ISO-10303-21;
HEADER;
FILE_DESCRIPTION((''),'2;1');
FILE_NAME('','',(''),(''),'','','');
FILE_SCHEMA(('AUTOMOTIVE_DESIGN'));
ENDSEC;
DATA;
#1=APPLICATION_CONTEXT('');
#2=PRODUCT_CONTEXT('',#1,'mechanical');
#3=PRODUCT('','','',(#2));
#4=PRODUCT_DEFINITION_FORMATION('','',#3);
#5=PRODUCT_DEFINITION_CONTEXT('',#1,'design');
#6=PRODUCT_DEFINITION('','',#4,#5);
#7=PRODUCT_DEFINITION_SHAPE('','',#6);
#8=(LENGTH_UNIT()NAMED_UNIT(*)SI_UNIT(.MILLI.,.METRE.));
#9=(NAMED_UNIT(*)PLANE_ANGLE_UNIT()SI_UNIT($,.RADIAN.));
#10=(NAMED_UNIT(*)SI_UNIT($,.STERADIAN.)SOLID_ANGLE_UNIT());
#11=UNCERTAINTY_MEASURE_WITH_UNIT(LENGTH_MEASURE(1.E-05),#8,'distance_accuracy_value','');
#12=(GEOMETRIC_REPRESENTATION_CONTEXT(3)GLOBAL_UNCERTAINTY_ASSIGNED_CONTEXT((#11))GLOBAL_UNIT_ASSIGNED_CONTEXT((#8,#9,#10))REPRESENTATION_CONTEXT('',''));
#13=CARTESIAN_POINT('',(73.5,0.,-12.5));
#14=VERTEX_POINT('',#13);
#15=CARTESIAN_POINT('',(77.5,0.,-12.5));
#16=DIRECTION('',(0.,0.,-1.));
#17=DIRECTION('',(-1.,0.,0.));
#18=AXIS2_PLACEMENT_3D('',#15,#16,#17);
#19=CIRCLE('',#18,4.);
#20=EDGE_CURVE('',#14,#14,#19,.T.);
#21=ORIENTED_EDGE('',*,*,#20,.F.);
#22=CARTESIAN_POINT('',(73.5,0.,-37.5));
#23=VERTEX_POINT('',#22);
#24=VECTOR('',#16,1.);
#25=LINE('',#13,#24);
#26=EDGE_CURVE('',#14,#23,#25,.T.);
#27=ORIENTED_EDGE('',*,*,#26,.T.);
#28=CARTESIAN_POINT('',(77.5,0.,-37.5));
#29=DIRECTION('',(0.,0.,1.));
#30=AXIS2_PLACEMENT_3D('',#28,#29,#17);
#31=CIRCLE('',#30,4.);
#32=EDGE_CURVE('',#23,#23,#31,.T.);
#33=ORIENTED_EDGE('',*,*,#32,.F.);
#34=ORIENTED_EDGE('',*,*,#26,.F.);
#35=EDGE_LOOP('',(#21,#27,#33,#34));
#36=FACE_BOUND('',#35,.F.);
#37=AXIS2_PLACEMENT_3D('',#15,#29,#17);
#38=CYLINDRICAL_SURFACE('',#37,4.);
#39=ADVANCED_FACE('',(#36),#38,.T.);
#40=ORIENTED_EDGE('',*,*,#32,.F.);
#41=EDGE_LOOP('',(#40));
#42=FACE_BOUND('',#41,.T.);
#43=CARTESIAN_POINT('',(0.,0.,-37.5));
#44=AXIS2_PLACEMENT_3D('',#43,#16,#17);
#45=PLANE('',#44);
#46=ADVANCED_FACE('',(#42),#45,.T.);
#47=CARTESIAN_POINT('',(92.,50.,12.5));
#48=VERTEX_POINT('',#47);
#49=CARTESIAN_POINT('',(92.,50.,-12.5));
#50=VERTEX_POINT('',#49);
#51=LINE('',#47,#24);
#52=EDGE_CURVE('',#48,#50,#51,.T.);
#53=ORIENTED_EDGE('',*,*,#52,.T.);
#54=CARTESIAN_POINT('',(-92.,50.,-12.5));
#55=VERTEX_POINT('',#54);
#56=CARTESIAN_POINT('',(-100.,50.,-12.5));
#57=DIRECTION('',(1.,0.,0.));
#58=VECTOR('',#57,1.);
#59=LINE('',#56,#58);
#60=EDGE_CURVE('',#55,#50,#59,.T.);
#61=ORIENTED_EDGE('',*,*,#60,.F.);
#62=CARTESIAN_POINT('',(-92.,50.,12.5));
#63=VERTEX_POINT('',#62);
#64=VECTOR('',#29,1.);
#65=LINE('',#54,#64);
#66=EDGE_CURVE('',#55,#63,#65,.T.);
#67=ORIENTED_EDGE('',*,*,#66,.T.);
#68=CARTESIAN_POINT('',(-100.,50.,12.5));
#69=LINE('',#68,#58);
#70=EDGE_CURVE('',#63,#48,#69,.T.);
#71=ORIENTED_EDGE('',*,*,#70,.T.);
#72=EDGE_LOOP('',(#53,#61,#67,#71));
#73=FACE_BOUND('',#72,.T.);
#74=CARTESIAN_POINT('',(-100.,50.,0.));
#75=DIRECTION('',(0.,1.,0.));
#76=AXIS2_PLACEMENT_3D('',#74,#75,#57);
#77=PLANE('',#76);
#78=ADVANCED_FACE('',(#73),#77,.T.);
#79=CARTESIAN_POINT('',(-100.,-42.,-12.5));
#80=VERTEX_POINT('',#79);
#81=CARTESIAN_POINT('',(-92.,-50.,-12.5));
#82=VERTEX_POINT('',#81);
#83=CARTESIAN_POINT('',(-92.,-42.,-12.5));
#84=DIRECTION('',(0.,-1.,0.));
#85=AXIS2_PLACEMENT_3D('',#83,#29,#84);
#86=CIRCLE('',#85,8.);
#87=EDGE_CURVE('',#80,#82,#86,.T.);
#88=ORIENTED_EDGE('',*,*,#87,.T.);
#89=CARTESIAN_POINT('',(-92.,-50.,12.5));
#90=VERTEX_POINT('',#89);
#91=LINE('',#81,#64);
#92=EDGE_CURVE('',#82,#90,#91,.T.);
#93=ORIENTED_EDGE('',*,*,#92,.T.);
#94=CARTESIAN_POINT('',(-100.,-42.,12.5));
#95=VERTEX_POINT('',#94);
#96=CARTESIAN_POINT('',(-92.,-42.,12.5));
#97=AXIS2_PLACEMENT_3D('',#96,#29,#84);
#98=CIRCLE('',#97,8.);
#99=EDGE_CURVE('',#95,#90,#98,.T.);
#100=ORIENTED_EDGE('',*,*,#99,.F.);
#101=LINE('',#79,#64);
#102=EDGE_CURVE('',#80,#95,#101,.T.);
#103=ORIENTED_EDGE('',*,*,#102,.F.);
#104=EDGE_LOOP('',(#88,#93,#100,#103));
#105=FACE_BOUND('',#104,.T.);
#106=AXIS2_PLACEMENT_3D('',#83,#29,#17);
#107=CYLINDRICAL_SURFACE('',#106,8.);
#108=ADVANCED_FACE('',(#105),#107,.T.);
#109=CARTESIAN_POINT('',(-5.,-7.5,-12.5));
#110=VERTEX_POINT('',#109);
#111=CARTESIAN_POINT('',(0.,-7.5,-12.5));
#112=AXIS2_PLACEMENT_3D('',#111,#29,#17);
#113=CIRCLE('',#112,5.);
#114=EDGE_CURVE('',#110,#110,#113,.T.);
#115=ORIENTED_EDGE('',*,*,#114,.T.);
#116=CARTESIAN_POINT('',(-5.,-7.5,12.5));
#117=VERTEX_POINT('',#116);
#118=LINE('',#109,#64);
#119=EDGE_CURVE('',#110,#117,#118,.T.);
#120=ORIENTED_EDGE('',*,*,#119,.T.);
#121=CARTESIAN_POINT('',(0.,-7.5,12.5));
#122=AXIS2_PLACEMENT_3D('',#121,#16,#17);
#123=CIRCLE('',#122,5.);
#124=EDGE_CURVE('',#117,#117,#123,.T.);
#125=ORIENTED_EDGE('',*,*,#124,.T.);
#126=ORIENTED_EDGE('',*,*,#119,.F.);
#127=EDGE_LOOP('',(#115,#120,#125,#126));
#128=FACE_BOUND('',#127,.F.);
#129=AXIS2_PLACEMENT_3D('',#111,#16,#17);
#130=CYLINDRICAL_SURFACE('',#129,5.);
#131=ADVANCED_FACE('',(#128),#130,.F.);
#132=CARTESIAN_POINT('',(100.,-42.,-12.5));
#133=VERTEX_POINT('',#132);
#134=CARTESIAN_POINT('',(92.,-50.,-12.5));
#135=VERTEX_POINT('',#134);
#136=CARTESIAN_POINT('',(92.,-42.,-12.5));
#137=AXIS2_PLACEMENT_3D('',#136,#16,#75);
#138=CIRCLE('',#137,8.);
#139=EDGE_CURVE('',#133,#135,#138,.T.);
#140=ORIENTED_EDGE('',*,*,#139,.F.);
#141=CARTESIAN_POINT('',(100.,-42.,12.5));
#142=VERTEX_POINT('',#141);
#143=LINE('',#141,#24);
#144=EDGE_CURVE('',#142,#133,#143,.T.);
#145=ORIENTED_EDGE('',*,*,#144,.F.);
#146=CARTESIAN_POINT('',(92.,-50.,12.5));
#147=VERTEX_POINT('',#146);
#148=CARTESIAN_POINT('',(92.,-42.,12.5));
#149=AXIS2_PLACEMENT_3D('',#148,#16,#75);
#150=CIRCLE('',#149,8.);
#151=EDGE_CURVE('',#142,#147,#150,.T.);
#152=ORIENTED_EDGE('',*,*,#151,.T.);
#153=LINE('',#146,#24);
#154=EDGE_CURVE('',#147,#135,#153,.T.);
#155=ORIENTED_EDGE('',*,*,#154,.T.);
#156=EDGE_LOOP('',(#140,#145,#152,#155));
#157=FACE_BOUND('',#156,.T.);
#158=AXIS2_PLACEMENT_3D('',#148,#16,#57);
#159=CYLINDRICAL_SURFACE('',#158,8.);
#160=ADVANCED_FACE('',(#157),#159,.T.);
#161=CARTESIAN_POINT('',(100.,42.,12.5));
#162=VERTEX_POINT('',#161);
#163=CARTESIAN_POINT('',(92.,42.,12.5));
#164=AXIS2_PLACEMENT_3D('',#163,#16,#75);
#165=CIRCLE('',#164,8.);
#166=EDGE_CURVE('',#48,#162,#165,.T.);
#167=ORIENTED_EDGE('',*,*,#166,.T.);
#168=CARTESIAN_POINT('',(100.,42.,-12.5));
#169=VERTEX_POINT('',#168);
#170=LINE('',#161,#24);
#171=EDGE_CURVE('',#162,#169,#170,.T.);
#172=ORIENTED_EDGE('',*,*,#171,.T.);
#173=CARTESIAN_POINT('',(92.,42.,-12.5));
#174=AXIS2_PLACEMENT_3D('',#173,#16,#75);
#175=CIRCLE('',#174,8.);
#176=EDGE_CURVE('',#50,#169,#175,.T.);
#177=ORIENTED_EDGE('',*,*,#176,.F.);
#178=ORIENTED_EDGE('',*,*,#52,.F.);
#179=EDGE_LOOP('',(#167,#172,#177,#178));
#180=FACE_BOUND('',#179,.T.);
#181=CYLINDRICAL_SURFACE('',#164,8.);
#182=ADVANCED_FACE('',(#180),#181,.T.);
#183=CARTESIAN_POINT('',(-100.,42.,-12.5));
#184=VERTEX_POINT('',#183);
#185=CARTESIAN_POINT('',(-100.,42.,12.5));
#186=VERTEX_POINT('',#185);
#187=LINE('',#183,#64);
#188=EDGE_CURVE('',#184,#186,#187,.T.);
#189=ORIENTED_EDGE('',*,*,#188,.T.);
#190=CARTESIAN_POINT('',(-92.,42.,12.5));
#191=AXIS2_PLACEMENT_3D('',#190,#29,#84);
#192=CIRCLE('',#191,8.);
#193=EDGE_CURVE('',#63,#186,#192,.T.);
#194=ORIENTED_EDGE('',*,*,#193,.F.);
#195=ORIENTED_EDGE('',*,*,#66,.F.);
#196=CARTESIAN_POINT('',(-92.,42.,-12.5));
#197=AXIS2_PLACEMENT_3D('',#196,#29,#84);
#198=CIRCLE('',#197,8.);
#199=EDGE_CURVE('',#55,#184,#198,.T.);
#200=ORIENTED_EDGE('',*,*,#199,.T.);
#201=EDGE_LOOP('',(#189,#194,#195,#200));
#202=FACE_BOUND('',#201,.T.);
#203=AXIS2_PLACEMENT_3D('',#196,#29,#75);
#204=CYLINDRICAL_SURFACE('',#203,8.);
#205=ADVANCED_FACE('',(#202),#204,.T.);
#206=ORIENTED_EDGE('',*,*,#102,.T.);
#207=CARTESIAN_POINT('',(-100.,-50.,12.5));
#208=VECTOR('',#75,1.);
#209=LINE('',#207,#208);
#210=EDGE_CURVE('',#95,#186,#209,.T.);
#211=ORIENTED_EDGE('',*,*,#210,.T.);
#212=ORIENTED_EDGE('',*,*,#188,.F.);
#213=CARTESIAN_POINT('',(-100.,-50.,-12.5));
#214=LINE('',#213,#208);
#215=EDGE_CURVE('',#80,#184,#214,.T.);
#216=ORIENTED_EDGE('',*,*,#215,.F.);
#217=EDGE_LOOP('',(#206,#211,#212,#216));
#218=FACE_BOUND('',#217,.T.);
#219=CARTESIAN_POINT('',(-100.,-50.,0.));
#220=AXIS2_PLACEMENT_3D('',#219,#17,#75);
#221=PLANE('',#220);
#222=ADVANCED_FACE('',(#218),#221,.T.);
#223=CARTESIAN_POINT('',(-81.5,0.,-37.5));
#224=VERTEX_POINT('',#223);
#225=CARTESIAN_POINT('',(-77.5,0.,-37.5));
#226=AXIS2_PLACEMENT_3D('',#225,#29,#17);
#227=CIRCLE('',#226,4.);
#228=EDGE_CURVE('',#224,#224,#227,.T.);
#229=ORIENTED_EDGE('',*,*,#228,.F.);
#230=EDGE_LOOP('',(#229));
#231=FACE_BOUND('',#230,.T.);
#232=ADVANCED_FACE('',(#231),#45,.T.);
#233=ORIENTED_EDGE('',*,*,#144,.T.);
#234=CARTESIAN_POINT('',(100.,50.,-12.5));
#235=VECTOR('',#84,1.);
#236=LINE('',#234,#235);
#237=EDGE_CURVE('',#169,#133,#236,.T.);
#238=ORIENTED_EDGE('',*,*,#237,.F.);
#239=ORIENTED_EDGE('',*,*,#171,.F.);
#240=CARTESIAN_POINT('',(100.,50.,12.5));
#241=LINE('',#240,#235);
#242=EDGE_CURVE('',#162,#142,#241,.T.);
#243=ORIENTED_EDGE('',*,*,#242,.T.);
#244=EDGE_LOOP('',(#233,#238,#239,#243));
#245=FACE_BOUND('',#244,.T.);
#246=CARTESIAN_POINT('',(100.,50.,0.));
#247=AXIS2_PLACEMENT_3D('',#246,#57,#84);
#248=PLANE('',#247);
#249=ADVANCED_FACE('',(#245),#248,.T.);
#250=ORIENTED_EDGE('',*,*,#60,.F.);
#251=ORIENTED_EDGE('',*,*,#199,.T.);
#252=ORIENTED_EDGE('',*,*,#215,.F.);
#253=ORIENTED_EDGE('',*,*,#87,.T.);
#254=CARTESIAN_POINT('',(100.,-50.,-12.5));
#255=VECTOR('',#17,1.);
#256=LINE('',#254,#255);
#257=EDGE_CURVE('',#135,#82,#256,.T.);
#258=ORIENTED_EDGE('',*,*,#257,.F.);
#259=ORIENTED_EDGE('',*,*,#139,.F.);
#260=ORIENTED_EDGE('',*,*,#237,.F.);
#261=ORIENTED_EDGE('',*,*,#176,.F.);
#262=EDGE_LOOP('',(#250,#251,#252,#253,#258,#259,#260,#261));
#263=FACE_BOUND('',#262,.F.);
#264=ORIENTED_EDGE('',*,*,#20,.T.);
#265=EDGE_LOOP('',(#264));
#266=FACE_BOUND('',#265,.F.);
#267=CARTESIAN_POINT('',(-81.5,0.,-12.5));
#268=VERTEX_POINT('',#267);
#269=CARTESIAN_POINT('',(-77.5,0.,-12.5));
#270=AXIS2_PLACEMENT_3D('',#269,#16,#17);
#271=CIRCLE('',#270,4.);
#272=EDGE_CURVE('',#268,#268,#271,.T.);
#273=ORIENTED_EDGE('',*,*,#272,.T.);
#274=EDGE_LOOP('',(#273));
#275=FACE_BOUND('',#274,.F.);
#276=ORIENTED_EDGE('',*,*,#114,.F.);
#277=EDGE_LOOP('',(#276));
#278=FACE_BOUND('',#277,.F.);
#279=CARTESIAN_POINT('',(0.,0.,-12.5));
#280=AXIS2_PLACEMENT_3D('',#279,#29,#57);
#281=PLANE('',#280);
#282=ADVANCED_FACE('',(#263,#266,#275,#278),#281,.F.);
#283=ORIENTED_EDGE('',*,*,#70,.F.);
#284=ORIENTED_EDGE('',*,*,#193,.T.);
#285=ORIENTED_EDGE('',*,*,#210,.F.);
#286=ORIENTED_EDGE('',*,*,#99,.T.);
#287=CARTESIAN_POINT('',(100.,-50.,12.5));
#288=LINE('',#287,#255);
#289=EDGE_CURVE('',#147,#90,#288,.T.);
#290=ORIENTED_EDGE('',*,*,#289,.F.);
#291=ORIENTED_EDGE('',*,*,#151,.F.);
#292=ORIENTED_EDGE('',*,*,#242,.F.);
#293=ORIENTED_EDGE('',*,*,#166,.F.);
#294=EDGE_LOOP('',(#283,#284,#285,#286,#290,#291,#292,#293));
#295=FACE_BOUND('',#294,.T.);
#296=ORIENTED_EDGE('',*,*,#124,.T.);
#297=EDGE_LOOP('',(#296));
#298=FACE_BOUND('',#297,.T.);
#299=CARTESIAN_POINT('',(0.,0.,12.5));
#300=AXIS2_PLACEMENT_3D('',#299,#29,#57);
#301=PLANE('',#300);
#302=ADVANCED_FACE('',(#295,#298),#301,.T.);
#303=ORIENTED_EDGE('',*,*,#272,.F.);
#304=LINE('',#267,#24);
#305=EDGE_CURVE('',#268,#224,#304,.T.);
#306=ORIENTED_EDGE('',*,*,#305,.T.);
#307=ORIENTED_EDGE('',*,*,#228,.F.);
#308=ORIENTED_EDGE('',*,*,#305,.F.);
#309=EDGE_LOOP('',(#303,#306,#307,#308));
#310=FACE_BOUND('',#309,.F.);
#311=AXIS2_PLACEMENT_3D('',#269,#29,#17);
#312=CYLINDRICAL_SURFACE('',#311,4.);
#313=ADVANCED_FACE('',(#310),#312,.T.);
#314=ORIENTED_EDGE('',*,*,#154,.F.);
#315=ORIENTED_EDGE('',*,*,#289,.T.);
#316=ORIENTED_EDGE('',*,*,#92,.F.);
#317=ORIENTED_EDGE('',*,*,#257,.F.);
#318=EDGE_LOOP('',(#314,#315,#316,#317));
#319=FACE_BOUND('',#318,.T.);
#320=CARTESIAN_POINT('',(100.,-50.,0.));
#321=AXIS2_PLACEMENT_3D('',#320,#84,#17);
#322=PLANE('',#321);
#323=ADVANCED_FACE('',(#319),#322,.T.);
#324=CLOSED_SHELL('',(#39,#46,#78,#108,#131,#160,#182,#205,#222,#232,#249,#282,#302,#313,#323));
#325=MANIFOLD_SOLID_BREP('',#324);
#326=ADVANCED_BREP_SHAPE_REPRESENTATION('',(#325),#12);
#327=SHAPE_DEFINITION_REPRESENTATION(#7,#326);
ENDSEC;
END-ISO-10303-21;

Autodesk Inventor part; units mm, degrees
ref_plane "YZ Plane" through (0, 0, 0) normal (1, 0, 0) x (0, 1, 0)
ref_plane "XZ Plane" through (0, 0, 0) normal (0, 1, 0) x (-1, 0, 0)
ref_plane "XY Plane" through (0, 0, 0) normal (0, 0, 1) x (1, 0, 0)
sketch "Sketch1" plane through (0, 0, 0) normal (0, 0, 1) x (1, 0, 0)
  line L0 (-100, 50) -> (100, 50)
  line L1 (100, 50) -> (100, -50)
  line L2 (100, -50) -> (-100, -50)
  line L3 (-100, -50) -> (-100, 50)
  line L4 (-100, 50) -> (100, -50) construction
  line L5 (100, 50) -> (-100, -50) construction
  point P0 (0, 0)
  dimension "d0" = 200
  dimension "d1" = 100
extrude "Extrusion1" add sketch "Sketch1" along normal mid plane 25
fillet "Fillet1" radius 8 4 edges at (100, 50, 0) (-100, 50, 0) (100, -50, 0) (-100, -50, 0)
sketch "Sketch2" plane through (0, 0, -12.5) normal (0, 0, -1) x (-1, 0, 0)
  line L0 (-77.5, 10) -> (77.5, 10)
  line L1 (77.5, 10) -> (77.5, -10)
  line L2 (77.5, -10) -> (-77.5, -10)
  line L3 (-77.5, -10) -> (-77.5, 10)
  line L4 (-77.5, 10) -> (77.5, -10) construction
  line L5 (77.5, 10) -> (-77.5, -10) construction
  circle A0 centre (-77.5, 0) radius 4
  circle A1 centre (77.5, 0) radius 4
  point P0 (0, 0)
  dimension "d5" = 155
  dimension "d6" = 20
  dimension "d7" = 8
  dimension "d8" = 8
extrude "Extrusion2" add sketch "Sketch2" along normal blind 25 contours A0 L3 | L3 A0 | A1 L1 | L1 A1
sketch "Sketch3" plane through (0, 0, -12.5) normal (0, 0, -1) x (-1, 0, 0)
  line L0 (-92, -50) -> (92, -50) projected
  line L1 (0, -50) -> (0, -7.5)
  circle A0 centre (0, -7.5) radius 5
  point P0 (0, 0)
  dimension "d11" = 42.5
  dimension "d12" = 10
extrude "Extrusion3" cut sketch "Sketch3" against normal blind 25
properties part number "CAJA REDUCTORA"
